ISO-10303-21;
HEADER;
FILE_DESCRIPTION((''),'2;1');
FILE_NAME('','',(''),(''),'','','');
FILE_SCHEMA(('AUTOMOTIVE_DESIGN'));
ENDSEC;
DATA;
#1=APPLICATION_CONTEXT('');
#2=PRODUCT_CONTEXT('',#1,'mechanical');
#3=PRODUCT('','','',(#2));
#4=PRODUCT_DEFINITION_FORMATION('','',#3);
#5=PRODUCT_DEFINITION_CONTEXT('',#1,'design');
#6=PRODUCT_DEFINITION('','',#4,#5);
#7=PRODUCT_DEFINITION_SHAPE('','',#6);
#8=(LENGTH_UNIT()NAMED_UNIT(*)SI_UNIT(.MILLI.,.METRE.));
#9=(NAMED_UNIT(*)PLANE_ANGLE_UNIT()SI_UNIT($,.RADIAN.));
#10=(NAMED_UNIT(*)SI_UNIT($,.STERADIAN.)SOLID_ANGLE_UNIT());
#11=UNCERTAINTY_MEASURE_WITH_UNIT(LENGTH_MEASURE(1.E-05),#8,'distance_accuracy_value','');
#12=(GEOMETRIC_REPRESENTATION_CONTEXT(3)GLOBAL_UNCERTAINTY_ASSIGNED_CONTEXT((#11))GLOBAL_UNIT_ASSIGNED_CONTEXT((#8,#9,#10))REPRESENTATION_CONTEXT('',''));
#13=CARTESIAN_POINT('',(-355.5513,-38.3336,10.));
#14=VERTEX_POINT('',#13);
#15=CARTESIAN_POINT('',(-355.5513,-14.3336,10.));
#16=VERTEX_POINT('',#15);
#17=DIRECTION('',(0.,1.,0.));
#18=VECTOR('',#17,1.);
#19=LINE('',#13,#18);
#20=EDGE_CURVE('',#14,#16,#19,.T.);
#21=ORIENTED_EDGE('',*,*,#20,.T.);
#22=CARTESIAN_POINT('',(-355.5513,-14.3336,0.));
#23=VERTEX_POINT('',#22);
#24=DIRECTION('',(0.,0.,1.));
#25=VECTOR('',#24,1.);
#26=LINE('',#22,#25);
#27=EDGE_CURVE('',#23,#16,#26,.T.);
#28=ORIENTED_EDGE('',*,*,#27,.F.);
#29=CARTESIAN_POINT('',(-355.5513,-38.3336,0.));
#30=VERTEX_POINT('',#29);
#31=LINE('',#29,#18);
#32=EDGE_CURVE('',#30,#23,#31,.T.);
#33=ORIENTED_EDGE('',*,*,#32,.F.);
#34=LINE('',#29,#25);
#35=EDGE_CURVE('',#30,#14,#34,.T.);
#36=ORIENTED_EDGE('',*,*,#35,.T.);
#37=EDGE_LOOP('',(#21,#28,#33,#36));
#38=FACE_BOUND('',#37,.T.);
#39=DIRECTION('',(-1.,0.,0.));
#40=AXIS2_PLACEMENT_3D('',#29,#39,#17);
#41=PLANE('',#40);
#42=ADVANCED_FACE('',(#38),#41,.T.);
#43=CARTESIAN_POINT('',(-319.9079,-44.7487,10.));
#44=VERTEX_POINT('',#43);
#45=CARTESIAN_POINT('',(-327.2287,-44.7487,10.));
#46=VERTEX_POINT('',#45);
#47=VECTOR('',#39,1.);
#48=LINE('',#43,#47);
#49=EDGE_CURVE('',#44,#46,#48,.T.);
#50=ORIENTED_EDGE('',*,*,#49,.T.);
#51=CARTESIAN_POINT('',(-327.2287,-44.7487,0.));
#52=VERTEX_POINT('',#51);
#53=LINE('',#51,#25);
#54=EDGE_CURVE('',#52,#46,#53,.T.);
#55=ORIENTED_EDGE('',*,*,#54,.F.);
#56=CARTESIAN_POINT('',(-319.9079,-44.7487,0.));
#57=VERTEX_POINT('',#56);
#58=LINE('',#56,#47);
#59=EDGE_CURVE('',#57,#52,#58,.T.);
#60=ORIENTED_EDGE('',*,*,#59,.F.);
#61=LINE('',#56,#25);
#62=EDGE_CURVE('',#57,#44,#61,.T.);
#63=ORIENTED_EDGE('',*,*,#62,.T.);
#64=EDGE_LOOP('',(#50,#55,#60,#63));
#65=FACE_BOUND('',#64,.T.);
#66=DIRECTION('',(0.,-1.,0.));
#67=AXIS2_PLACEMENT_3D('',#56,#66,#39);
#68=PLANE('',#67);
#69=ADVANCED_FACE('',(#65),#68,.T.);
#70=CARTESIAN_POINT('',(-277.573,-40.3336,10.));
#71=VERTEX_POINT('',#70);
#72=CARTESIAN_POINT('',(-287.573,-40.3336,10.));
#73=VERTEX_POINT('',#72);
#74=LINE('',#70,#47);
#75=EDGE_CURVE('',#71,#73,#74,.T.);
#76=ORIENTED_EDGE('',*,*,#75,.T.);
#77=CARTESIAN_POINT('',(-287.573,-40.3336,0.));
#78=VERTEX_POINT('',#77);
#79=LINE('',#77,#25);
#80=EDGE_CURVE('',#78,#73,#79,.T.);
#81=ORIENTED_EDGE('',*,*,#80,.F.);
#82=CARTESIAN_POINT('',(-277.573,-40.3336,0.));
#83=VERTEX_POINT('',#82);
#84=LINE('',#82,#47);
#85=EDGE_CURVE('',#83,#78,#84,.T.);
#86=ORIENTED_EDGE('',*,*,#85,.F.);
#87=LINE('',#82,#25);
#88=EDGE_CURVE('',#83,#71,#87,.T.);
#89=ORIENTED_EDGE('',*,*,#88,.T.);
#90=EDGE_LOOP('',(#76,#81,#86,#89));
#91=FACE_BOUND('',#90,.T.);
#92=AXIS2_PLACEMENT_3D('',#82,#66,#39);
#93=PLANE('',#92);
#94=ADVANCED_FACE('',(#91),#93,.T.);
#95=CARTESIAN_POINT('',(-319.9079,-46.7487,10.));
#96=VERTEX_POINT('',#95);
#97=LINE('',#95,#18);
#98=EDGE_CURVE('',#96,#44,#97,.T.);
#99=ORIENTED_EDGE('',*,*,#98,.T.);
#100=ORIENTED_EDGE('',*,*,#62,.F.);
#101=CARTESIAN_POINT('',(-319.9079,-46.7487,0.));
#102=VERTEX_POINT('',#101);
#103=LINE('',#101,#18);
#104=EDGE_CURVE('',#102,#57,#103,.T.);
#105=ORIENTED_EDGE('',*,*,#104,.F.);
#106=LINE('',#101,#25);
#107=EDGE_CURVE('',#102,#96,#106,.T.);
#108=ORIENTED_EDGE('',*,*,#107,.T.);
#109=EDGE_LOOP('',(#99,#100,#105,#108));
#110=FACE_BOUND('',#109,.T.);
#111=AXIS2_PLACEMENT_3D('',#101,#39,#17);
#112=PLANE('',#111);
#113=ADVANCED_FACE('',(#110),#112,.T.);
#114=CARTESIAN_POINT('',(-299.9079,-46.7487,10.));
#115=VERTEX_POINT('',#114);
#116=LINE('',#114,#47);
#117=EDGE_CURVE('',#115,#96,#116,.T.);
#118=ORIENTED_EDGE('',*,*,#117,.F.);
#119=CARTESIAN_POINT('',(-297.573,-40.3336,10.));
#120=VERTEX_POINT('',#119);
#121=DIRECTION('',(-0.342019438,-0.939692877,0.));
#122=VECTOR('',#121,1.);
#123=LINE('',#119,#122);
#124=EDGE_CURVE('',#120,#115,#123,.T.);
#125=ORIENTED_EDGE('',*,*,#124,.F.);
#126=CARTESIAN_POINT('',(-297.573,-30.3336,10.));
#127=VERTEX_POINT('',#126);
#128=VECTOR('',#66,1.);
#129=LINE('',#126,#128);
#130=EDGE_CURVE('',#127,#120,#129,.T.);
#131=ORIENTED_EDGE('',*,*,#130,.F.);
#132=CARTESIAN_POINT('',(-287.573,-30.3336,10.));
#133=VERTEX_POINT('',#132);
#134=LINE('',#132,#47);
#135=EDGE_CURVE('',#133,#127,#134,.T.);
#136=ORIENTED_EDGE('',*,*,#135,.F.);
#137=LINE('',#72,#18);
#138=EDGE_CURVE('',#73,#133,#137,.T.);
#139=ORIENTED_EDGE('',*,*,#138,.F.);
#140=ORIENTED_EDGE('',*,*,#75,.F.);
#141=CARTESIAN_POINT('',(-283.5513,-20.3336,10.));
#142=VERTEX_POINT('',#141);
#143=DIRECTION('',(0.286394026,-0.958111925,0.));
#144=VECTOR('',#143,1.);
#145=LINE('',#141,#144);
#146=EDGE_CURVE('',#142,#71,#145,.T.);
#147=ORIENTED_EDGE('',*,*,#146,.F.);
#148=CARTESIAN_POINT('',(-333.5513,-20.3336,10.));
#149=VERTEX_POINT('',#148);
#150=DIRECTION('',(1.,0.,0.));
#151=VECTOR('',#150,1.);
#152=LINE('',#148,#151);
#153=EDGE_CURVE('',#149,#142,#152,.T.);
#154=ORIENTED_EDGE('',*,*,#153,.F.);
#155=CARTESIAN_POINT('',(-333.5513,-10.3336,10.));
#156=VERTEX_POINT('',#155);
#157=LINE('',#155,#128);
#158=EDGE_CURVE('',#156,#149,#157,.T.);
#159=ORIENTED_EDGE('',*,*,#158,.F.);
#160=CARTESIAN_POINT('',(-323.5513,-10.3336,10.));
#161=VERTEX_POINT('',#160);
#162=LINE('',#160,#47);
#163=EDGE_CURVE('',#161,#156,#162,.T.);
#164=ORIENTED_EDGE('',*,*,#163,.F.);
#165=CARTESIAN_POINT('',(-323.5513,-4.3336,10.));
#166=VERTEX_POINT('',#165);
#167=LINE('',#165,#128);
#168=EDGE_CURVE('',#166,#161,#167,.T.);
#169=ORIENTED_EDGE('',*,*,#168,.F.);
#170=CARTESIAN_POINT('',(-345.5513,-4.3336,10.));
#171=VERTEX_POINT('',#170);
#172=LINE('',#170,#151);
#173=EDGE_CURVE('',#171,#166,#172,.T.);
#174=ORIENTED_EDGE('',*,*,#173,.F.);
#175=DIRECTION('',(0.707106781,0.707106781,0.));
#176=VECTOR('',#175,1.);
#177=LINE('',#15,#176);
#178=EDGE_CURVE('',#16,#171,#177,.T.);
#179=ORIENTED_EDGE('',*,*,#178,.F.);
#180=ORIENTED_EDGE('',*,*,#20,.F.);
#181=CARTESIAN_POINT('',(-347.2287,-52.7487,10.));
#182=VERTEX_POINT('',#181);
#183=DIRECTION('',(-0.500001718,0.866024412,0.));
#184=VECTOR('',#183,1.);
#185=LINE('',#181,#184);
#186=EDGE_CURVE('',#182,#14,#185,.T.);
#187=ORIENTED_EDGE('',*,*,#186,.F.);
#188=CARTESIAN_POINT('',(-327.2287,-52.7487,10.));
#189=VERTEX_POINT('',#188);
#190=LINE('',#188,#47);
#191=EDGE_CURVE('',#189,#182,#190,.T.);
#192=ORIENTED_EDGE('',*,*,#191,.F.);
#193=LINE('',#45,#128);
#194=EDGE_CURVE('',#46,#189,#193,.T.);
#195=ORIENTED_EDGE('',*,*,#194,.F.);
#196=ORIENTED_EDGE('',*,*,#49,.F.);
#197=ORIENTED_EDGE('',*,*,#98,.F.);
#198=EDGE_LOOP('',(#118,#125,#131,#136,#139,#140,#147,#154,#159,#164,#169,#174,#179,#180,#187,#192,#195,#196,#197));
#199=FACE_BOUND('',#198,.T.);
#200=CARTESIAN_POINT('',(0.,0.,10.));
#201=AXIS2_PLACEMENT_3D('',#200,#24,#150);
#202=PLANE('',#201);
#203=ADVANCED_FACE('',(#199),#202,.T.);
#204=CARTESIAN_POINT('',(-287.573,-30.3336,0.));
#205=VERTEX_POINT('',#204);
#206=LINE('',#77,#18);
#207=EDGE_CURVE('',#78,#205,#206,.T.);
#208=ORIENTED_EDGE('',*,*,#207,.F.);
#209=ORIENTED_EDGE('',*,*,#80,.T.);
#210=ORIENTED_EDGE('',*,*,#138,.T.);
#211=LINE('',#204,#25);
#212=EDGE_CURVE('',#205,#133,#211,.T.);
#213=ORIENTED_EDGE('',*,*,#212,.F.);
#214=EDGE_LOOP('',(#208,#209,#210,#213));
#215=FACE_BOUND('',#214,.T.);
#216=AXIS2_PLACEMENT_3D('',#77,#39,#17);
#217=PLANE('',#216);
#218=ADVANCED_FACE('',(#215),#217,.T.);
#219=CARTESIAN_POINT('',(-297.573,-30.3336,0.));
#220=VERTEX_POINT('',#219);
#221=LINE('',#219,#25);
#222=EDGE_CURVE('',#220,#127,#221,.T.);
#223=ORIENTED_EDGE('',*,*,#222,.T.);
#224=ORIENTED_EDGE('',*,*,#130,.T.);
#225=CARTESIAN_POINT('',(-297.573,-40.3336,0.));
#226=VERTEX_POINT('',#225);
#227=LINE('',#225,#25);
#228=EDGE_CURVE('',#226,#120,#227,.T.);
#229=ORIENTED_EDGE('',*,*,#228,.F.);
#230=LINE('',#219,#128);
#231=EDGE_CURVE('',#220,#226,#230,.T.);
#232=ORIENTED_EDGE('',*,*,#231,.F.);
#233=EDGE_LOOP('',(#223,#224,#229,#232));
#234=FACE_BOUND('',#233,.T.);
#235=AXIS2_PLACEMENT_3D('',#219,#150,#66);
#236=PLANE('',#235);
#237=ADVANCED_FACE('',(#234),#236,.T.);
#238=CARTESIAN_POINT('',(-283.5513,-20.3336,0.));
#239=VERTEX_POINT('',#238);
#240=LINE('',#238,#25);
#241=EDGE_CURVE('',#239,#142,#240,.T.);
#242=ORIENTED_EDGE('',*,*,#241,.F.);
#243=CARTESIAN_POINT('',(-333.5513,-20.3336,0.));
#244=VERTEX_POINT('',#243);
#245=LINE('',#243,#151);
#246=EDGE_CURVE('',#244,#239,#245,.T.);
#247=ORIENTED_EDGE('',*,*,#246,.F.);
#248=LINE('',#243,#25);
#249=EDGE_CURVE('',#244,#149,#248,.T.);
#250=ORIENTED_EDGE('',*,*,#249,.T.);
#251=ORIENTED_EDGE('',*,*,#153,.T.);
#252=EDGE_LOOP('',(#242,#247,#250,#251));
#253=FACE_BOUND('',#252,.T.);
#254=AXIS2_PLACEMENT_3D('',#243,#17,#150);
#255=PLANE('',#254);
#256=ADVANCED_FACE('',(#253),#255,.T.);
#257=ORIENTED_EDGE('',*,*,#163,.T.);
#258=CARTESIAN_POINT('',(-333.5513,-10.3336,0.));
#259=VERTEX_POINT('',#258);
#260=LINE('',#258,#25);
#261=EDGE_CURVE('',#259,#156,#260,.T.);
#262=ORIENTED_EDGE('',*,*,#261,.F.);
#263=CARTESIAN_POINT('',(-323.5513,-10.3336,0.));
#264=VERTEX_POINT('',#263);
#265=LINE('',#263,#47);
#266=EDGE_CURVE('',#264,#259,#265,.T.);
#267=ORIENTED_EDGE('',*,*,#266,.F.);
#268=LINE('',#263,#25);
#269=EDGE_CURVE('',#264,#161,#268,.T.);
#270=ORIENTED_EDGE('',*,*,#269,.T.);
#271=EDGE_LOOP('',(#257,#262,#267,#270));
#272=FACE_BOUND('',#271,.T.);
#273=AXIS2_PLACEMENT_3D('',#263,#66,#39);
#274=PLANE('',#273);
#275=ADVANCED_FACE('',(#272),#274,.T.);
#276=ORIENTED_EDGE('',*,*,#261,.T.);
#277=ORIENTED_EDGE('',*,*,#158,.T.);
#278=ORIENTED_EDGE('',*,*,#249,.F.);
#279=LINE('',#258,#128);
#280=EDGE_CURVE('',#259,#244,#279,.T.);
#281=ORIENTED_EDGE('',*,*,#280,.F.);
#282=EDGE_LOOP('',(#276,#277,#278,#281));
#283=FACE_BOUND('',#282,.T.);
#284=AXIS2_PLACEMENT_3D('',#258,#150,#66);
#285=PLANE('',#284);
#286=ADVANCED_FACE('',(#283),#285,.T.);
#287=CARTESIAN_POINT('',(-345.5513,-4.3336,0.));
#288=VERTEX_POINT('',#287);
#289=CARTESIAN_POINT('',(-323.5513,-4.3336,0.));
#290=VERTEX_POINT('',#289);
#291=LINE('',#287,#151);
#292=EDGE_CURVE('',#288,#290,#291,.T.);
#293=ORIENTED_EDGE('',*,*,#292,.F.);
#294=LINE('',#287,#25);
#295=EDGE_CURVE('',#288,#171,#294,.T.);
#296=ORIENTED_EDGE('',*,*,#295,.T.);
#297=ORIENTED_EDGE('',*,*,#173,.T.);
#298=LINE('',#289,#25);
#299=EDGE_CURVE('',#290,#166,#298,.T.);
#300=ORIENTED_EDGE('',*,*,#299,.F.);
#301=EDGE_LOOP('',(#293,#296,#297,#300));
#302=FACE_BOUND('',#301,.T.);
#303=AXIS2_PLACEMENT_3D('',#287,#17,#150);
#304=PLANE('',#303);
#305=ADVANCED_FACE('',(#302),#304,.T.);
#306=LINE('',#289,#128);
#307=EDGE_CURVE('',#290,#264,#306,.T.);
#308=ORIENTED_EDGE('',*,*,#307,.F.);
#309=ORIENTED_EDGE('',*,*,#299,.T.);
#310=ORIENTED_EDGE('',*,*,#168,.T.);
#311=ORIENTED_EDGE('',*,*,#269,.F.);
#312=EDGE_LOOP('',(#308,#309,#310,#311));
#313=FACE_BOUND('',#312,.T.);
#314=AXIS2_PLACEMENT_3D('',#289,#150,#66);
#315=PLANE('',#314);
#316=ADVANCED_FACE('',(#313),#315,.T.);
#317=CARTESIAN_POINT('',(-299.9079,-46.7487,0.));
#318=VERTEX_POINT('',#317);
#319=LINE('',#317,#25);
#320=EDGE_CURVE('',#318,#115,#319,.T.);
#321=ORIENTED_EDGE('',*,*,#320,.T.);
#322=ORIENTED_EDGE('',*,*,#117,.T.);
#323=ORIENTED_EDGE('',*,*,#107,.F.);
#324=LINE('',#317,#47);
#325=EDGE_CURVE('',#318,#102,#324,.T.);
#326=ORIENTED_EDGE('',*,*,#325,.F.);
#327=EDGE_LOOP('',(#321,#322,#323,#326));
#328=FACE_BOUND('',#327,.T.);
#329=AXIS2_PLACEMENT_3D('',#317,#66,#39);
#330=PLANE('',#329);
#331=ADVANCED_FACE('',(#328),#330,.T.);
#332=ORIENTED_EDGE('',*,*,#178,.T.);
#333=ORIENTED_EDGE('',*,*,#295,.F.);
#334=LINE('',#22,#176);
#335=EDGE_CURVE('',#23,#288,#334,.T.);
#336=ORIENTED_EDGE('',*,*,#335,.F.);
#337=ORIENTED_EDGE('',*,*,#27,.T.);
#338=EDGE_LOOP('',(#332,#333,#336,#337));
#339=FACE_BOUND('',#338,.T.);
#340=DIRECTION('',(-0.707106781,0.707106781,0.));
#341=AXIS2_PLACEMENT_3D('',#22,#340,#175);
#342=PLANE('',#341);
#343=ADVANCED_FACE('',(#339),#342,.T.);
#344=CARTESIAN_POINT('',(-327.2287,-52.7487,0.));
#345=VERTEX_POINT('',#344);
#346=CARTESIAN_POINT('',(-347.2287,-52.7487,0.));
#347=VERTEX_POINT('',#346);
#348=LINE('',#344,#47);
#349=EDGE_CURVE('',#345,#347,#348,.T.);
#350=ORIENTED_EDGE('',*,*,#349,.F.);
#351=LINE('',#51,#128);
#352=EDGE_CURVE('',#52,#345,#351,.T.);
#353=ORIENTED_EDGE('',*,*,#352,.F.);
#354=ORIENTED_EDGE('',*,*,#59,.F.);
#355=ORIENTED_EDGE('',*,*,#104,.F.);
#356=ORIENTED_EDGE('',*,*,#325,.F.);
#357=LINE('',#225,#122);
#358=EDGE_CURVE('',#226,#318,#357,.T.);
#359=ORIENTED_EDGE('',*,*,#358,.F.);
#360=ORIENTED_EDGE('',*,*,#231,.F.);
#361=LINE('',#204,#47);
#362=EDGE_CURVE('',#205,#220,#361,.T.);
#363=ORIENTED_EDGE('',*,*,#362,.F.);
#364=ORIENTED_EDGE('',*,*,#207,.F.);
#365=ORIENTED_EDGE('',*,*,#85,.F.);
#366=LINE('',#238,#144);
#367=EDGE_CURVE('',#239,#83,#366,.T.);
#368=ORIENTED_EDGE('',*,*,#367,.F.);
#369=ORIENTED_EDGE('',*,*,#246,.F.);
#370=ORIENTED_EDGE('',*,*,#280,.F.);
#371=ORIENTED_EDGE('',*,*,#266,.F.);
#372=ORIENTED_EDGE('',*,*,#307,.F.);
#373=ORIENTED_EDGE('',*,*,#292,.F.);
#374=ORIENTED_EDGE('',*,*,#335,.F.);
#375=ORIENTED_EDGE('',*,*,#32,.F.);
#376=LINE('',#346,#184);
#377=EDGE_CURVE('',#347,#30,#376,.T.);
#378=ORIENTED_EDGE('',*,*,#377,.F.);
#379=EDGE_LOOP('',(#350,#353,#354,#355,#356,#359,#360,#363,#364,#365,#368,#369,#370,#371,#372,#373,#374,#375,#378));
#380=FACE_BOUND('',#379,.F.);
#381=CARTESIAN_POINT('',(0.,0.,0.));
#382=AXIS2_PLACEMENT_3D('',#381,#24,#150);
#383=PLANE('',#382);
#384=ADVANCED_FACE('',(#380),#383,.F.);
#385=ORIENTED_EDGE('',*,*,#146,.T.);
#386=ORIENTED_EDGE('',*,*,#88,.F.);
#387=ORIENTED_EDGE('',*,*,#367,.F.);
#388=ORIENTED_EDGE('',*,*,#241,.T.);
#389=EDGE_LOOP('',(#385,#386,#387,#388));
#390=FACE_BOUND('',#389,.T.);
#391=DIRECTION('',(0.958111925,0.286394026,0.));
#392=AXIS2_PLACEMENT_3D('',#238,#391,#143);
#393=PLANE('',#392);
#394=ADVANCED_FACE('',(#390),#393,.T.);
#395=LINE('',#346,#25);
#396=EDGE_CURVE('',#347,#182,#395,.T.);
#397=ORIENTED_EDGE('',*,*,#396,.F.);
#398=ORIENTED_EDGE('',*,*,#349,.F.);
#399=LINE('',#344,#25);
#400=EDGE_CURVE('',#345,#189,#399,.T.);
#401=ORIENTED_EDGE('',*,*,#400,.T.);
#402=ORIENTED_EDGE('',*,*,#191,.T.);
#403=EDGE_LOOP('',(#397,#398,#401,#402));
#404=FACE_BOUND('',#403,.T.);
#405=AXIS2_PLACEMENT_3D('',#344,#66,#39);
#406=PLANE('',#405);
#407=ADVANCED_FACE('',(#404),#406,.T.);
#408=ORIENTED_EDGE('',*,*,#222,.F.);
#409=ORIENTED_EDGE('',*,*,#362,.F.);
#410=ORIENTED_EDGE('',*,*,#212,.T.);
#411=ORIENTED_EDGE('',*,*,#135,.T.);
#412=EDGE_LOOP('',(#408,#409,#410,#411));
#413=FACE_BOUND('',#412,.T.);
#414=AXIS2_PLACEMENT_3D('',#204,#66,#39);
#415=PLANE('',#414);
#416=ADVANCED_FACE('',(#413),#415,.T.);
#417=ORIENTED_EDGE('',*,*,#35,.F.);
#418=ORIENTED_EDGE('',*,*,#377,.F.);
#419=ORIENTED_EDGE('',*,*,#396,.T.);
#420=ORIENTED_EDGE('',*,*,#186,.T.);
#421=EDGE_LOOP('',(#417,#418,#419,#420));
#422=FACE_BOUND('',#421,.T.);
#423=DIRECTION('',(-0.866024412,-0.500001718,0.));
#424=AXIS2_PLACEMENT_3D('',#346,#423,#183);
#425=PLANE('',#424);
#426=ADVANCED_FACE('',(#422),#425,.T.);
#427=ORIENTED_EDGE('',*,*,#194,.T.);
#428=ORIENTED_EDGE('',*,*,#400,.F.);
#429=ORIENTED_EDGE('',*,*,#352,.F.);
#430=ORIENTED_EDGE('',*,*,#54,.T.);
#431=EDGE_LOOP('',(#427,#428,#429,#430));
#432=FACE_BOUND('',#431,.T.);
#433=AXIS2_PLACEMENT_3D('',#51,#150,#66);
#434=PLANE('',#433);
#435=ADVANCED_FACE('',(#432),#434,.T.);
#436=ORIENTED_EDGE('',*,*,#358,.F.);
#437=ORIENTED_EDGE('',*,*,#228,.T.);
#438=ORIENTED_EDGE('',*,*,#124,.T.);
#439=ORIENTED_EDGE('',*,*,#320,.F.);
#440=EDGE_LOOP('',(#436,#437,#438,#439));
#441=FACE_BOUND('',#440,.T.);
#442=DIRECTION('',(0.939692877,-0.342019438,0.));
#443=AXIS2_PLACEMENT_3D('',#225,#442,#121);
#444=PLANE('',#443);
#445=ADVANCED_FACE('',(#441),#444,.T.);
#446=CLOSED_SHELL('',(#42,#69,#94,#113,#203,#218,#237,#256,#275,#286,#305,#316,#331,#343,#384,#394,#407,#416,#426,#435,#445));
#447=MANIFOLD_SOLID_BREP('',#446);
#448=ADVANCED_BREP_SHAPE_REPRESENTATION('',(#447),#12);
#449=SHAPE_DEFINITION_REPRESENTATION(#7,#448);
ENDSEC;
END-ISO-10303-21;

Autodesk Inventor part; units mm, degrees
ref_plane "YZ Plane" through (0, 0, 0) normal (1, 0, 0) x (0, 1, 0)
ref_plane "XZ Plane" through (0, 0, 0) normal (0, 1, 0) x (-1, 0, 0)
ref_plane "XY Plane" through (0, 0, 0) normal (0, 0, 1) x (1, 0, 0)
sketch "스케치1" plane through (0, 0, 0) normal (0, 0, 1) x (1, 0, 0)
  line L0 (-43.0108, 53.8803) -> (56.9892, 53.8803)
  line L1 (56.9892, 53.8803) -> (56.9892, -86.1197)
  line L2 (56.9892, -86.1197) -> (-43.0108, -86.1197)
  line L3 (-43.0108, -86.1197) -> (-43.0108, 53.8803)
  circle A0 centre (26.9892, 23.8803) radius 30
  circle A1 centre (36.9892, -25.1095) radius 20
  circle A2 centre (46.9892, -53.3937) radius 10
  circle A3 centre (-13.0108, -56.1197) radius 30
  circle A4 centre (-26.1284, 36.998) radius 16.8824
  circle A5 centre (-19.4209, -2.9146) radius 23.5898
  circle A6 centre (29.3951, -71.1342) radius 14.9855
  circle A7 centre (49.9445, -79.0749) radius 7.0447
  arc A8 (223.6576, -12.6226) -> (232.5491, 20.6753) centre (181.7594, 16.4014) ccw
  line L4 (223.6576, -12.6226) -> (239.794, -10.976)
  arc A9 (207.192, -32.0521) -> (268.7735, -18.5502) centre (225.0108, 33.8638) ccw
  arc A10 (207.192, 11.7465) -> (186.7746, 8.1241) centre (198.9153, -0.954) ccw
  arc A11 (273.3839, 20.6753) -> (253.9544, 16.4014) centre (265.0577, 12.226) ccw
  circle A12 centre (235.1836, -2.9146) radius 59.2565
  circle A13 centre (200.6337, 45.2272) radius 8.5454
  circle A14 centre (207.9175, 49.6961) radius 8.1015
  circle A15 centre (225.0108, 53.7727) radius 9.3516
  circle A16 centre (239.6343, 51.9227) radius 11.4052
  circle A17 centre (257.9062, 45.2272) radius 9.4149
  circle A18 centre (276.3477, 45.2272) radius 10.1093
  circle A19 centre (186.7746, 35.8123) radius 9.4825
  circle A20 centre (257.9062, 60.4848) radius 8.8364
  circle A21 centre (186.7746, 55.3365) radius 12.4008
  circle A22 centre (207.9175, 60.4848) radius 9.1928
  circle A23 centre (220.0352, 67.7373) radius 6.0198
  circle A24 centre (231.7701, 67.6579) radius 7.0526
  circle A25 centre (177.2921, 23.8114) radius 9.6817
  circle A26 centre (174.3738, 42.9357) radius 7.163
  circle A27 centre (249.0698, 60.4848) radius 7.173
  circle A28 centre (268.7735, 57.7976) radius 5.7178
  circle A29 centre (241.8968, 71.3522) radius 7.0475
  circle A30 centre (288.5323, 33.493) radius 8.8105
  line L5 (356.5701, -79.6844) -> (527.6088, -79.6844)
  line L6 (527.6088, -79.6844) -> (527.6088, 51.8942)
  line L7 (356.3768, -79.6844) -> (356.3768, 51.8942)
  arc A31 (527.6088, 51.8942) -> (356.3768, 51.8942) centre (441.9928, 56.2046) ccw
  arc A32 (441.9928, 141.929) -> (393.1944, 126.6844) centre (415.4138, 141.2843) ccw
  arc A33 (392.3451, 127.2773) -> (363.8326, 94.531) centre (366.5142, 120.9822) ccw
  point P0 (335.4461, 97.2168)
  dimension "d0" = 100
  dimension "d1" = 140
  dimension "d2" = 60
  dimension "d3" = 40
  dimension "d4" = 20
  dimension "d5" = 60
sketch "스케치2" plane through (0, 0, 0) normal (0, 0, 1) x (1, 0, 0)
  line L0 (-355.5513, -38.3336) -> (-355.5513, -14.3336)
  line L1 (-355.5513, -14.3336) -> (-345.5513, -4.3336)
  line L2 (-345.5513, -4.3336) -> (-323.5513, -4.3336)
  line L3 (-323.5513, -4.3336) -> (-323.5513, -10.3336)
  line L4 (-323.5513, -10.3336) -> (-333.5513, -10.3336)
  line L5 (-333.5513, -10.3336) -> (-333.5513, -20.3336)
  line L6 (-333.5513, -20.3336) -> (-283.5513, -20.3336)
  line L7 (-283.5513, -20.3336) -> (-277.573, -40.3336)
  line L8 (-277.573, -40.3336) -> (-287.573, -40.3336)
  line L9 (-287.573, -40.3336) -> (-287.573, -30.3336)
  line L10 (-287.573, -30.3336) -> (-297.573, -30.3336)
  line L11 (-297.573, -30.3336) -> (-297.573, -40.3336)
  line L12 (-297.573, -40.3336) -> (-299.9079, -46.7487)
  line L13 (-299.9079, -46.7487) -> (-319.9079, -46.7487)
  line L14 (-319.9079, -46.7487) -> (-319.9079, -44.7487)
  line L15 (-319.9079, -44.7487) -> (-327.2287, -44.7487)
  line L16 (-327.2287, -44.7487) -> (-327.2287, -52.7487)
  line L17 (-327.2287, -52.7487) -> (-347.2287, -52.7487)
  line L18 (-347.2287, -52.7487) -> (-355.5513, -38.3336)
  point P0 (0, 0)
  point P1 (-323.5513, -7.3336)
  dimension "d6" = 24
  dimension "d8" = 22
  dimension "d9" = 6
  dimension "d10" = 10
  dimension "d11" = 10
  dimension "d12" = 50
  dimension "d14" = 10
  dimension "d15" = 10
  dimension "d16" = 10
  dimension "d17" = 10
  dimension "d18" = 20
  dimension "d19" = 2
  dimension "d20" = 70
  dimension "d21" = 8
  dimension "d22" = 20
  dimension "d23" = 60
  dimension "d25" = 10
  dimension "d26" = 10
  dimension "d27" = 20
extrude "돌출1" add sketch "스케치2" along normal blind 10
properties part number "240405_sketch"
